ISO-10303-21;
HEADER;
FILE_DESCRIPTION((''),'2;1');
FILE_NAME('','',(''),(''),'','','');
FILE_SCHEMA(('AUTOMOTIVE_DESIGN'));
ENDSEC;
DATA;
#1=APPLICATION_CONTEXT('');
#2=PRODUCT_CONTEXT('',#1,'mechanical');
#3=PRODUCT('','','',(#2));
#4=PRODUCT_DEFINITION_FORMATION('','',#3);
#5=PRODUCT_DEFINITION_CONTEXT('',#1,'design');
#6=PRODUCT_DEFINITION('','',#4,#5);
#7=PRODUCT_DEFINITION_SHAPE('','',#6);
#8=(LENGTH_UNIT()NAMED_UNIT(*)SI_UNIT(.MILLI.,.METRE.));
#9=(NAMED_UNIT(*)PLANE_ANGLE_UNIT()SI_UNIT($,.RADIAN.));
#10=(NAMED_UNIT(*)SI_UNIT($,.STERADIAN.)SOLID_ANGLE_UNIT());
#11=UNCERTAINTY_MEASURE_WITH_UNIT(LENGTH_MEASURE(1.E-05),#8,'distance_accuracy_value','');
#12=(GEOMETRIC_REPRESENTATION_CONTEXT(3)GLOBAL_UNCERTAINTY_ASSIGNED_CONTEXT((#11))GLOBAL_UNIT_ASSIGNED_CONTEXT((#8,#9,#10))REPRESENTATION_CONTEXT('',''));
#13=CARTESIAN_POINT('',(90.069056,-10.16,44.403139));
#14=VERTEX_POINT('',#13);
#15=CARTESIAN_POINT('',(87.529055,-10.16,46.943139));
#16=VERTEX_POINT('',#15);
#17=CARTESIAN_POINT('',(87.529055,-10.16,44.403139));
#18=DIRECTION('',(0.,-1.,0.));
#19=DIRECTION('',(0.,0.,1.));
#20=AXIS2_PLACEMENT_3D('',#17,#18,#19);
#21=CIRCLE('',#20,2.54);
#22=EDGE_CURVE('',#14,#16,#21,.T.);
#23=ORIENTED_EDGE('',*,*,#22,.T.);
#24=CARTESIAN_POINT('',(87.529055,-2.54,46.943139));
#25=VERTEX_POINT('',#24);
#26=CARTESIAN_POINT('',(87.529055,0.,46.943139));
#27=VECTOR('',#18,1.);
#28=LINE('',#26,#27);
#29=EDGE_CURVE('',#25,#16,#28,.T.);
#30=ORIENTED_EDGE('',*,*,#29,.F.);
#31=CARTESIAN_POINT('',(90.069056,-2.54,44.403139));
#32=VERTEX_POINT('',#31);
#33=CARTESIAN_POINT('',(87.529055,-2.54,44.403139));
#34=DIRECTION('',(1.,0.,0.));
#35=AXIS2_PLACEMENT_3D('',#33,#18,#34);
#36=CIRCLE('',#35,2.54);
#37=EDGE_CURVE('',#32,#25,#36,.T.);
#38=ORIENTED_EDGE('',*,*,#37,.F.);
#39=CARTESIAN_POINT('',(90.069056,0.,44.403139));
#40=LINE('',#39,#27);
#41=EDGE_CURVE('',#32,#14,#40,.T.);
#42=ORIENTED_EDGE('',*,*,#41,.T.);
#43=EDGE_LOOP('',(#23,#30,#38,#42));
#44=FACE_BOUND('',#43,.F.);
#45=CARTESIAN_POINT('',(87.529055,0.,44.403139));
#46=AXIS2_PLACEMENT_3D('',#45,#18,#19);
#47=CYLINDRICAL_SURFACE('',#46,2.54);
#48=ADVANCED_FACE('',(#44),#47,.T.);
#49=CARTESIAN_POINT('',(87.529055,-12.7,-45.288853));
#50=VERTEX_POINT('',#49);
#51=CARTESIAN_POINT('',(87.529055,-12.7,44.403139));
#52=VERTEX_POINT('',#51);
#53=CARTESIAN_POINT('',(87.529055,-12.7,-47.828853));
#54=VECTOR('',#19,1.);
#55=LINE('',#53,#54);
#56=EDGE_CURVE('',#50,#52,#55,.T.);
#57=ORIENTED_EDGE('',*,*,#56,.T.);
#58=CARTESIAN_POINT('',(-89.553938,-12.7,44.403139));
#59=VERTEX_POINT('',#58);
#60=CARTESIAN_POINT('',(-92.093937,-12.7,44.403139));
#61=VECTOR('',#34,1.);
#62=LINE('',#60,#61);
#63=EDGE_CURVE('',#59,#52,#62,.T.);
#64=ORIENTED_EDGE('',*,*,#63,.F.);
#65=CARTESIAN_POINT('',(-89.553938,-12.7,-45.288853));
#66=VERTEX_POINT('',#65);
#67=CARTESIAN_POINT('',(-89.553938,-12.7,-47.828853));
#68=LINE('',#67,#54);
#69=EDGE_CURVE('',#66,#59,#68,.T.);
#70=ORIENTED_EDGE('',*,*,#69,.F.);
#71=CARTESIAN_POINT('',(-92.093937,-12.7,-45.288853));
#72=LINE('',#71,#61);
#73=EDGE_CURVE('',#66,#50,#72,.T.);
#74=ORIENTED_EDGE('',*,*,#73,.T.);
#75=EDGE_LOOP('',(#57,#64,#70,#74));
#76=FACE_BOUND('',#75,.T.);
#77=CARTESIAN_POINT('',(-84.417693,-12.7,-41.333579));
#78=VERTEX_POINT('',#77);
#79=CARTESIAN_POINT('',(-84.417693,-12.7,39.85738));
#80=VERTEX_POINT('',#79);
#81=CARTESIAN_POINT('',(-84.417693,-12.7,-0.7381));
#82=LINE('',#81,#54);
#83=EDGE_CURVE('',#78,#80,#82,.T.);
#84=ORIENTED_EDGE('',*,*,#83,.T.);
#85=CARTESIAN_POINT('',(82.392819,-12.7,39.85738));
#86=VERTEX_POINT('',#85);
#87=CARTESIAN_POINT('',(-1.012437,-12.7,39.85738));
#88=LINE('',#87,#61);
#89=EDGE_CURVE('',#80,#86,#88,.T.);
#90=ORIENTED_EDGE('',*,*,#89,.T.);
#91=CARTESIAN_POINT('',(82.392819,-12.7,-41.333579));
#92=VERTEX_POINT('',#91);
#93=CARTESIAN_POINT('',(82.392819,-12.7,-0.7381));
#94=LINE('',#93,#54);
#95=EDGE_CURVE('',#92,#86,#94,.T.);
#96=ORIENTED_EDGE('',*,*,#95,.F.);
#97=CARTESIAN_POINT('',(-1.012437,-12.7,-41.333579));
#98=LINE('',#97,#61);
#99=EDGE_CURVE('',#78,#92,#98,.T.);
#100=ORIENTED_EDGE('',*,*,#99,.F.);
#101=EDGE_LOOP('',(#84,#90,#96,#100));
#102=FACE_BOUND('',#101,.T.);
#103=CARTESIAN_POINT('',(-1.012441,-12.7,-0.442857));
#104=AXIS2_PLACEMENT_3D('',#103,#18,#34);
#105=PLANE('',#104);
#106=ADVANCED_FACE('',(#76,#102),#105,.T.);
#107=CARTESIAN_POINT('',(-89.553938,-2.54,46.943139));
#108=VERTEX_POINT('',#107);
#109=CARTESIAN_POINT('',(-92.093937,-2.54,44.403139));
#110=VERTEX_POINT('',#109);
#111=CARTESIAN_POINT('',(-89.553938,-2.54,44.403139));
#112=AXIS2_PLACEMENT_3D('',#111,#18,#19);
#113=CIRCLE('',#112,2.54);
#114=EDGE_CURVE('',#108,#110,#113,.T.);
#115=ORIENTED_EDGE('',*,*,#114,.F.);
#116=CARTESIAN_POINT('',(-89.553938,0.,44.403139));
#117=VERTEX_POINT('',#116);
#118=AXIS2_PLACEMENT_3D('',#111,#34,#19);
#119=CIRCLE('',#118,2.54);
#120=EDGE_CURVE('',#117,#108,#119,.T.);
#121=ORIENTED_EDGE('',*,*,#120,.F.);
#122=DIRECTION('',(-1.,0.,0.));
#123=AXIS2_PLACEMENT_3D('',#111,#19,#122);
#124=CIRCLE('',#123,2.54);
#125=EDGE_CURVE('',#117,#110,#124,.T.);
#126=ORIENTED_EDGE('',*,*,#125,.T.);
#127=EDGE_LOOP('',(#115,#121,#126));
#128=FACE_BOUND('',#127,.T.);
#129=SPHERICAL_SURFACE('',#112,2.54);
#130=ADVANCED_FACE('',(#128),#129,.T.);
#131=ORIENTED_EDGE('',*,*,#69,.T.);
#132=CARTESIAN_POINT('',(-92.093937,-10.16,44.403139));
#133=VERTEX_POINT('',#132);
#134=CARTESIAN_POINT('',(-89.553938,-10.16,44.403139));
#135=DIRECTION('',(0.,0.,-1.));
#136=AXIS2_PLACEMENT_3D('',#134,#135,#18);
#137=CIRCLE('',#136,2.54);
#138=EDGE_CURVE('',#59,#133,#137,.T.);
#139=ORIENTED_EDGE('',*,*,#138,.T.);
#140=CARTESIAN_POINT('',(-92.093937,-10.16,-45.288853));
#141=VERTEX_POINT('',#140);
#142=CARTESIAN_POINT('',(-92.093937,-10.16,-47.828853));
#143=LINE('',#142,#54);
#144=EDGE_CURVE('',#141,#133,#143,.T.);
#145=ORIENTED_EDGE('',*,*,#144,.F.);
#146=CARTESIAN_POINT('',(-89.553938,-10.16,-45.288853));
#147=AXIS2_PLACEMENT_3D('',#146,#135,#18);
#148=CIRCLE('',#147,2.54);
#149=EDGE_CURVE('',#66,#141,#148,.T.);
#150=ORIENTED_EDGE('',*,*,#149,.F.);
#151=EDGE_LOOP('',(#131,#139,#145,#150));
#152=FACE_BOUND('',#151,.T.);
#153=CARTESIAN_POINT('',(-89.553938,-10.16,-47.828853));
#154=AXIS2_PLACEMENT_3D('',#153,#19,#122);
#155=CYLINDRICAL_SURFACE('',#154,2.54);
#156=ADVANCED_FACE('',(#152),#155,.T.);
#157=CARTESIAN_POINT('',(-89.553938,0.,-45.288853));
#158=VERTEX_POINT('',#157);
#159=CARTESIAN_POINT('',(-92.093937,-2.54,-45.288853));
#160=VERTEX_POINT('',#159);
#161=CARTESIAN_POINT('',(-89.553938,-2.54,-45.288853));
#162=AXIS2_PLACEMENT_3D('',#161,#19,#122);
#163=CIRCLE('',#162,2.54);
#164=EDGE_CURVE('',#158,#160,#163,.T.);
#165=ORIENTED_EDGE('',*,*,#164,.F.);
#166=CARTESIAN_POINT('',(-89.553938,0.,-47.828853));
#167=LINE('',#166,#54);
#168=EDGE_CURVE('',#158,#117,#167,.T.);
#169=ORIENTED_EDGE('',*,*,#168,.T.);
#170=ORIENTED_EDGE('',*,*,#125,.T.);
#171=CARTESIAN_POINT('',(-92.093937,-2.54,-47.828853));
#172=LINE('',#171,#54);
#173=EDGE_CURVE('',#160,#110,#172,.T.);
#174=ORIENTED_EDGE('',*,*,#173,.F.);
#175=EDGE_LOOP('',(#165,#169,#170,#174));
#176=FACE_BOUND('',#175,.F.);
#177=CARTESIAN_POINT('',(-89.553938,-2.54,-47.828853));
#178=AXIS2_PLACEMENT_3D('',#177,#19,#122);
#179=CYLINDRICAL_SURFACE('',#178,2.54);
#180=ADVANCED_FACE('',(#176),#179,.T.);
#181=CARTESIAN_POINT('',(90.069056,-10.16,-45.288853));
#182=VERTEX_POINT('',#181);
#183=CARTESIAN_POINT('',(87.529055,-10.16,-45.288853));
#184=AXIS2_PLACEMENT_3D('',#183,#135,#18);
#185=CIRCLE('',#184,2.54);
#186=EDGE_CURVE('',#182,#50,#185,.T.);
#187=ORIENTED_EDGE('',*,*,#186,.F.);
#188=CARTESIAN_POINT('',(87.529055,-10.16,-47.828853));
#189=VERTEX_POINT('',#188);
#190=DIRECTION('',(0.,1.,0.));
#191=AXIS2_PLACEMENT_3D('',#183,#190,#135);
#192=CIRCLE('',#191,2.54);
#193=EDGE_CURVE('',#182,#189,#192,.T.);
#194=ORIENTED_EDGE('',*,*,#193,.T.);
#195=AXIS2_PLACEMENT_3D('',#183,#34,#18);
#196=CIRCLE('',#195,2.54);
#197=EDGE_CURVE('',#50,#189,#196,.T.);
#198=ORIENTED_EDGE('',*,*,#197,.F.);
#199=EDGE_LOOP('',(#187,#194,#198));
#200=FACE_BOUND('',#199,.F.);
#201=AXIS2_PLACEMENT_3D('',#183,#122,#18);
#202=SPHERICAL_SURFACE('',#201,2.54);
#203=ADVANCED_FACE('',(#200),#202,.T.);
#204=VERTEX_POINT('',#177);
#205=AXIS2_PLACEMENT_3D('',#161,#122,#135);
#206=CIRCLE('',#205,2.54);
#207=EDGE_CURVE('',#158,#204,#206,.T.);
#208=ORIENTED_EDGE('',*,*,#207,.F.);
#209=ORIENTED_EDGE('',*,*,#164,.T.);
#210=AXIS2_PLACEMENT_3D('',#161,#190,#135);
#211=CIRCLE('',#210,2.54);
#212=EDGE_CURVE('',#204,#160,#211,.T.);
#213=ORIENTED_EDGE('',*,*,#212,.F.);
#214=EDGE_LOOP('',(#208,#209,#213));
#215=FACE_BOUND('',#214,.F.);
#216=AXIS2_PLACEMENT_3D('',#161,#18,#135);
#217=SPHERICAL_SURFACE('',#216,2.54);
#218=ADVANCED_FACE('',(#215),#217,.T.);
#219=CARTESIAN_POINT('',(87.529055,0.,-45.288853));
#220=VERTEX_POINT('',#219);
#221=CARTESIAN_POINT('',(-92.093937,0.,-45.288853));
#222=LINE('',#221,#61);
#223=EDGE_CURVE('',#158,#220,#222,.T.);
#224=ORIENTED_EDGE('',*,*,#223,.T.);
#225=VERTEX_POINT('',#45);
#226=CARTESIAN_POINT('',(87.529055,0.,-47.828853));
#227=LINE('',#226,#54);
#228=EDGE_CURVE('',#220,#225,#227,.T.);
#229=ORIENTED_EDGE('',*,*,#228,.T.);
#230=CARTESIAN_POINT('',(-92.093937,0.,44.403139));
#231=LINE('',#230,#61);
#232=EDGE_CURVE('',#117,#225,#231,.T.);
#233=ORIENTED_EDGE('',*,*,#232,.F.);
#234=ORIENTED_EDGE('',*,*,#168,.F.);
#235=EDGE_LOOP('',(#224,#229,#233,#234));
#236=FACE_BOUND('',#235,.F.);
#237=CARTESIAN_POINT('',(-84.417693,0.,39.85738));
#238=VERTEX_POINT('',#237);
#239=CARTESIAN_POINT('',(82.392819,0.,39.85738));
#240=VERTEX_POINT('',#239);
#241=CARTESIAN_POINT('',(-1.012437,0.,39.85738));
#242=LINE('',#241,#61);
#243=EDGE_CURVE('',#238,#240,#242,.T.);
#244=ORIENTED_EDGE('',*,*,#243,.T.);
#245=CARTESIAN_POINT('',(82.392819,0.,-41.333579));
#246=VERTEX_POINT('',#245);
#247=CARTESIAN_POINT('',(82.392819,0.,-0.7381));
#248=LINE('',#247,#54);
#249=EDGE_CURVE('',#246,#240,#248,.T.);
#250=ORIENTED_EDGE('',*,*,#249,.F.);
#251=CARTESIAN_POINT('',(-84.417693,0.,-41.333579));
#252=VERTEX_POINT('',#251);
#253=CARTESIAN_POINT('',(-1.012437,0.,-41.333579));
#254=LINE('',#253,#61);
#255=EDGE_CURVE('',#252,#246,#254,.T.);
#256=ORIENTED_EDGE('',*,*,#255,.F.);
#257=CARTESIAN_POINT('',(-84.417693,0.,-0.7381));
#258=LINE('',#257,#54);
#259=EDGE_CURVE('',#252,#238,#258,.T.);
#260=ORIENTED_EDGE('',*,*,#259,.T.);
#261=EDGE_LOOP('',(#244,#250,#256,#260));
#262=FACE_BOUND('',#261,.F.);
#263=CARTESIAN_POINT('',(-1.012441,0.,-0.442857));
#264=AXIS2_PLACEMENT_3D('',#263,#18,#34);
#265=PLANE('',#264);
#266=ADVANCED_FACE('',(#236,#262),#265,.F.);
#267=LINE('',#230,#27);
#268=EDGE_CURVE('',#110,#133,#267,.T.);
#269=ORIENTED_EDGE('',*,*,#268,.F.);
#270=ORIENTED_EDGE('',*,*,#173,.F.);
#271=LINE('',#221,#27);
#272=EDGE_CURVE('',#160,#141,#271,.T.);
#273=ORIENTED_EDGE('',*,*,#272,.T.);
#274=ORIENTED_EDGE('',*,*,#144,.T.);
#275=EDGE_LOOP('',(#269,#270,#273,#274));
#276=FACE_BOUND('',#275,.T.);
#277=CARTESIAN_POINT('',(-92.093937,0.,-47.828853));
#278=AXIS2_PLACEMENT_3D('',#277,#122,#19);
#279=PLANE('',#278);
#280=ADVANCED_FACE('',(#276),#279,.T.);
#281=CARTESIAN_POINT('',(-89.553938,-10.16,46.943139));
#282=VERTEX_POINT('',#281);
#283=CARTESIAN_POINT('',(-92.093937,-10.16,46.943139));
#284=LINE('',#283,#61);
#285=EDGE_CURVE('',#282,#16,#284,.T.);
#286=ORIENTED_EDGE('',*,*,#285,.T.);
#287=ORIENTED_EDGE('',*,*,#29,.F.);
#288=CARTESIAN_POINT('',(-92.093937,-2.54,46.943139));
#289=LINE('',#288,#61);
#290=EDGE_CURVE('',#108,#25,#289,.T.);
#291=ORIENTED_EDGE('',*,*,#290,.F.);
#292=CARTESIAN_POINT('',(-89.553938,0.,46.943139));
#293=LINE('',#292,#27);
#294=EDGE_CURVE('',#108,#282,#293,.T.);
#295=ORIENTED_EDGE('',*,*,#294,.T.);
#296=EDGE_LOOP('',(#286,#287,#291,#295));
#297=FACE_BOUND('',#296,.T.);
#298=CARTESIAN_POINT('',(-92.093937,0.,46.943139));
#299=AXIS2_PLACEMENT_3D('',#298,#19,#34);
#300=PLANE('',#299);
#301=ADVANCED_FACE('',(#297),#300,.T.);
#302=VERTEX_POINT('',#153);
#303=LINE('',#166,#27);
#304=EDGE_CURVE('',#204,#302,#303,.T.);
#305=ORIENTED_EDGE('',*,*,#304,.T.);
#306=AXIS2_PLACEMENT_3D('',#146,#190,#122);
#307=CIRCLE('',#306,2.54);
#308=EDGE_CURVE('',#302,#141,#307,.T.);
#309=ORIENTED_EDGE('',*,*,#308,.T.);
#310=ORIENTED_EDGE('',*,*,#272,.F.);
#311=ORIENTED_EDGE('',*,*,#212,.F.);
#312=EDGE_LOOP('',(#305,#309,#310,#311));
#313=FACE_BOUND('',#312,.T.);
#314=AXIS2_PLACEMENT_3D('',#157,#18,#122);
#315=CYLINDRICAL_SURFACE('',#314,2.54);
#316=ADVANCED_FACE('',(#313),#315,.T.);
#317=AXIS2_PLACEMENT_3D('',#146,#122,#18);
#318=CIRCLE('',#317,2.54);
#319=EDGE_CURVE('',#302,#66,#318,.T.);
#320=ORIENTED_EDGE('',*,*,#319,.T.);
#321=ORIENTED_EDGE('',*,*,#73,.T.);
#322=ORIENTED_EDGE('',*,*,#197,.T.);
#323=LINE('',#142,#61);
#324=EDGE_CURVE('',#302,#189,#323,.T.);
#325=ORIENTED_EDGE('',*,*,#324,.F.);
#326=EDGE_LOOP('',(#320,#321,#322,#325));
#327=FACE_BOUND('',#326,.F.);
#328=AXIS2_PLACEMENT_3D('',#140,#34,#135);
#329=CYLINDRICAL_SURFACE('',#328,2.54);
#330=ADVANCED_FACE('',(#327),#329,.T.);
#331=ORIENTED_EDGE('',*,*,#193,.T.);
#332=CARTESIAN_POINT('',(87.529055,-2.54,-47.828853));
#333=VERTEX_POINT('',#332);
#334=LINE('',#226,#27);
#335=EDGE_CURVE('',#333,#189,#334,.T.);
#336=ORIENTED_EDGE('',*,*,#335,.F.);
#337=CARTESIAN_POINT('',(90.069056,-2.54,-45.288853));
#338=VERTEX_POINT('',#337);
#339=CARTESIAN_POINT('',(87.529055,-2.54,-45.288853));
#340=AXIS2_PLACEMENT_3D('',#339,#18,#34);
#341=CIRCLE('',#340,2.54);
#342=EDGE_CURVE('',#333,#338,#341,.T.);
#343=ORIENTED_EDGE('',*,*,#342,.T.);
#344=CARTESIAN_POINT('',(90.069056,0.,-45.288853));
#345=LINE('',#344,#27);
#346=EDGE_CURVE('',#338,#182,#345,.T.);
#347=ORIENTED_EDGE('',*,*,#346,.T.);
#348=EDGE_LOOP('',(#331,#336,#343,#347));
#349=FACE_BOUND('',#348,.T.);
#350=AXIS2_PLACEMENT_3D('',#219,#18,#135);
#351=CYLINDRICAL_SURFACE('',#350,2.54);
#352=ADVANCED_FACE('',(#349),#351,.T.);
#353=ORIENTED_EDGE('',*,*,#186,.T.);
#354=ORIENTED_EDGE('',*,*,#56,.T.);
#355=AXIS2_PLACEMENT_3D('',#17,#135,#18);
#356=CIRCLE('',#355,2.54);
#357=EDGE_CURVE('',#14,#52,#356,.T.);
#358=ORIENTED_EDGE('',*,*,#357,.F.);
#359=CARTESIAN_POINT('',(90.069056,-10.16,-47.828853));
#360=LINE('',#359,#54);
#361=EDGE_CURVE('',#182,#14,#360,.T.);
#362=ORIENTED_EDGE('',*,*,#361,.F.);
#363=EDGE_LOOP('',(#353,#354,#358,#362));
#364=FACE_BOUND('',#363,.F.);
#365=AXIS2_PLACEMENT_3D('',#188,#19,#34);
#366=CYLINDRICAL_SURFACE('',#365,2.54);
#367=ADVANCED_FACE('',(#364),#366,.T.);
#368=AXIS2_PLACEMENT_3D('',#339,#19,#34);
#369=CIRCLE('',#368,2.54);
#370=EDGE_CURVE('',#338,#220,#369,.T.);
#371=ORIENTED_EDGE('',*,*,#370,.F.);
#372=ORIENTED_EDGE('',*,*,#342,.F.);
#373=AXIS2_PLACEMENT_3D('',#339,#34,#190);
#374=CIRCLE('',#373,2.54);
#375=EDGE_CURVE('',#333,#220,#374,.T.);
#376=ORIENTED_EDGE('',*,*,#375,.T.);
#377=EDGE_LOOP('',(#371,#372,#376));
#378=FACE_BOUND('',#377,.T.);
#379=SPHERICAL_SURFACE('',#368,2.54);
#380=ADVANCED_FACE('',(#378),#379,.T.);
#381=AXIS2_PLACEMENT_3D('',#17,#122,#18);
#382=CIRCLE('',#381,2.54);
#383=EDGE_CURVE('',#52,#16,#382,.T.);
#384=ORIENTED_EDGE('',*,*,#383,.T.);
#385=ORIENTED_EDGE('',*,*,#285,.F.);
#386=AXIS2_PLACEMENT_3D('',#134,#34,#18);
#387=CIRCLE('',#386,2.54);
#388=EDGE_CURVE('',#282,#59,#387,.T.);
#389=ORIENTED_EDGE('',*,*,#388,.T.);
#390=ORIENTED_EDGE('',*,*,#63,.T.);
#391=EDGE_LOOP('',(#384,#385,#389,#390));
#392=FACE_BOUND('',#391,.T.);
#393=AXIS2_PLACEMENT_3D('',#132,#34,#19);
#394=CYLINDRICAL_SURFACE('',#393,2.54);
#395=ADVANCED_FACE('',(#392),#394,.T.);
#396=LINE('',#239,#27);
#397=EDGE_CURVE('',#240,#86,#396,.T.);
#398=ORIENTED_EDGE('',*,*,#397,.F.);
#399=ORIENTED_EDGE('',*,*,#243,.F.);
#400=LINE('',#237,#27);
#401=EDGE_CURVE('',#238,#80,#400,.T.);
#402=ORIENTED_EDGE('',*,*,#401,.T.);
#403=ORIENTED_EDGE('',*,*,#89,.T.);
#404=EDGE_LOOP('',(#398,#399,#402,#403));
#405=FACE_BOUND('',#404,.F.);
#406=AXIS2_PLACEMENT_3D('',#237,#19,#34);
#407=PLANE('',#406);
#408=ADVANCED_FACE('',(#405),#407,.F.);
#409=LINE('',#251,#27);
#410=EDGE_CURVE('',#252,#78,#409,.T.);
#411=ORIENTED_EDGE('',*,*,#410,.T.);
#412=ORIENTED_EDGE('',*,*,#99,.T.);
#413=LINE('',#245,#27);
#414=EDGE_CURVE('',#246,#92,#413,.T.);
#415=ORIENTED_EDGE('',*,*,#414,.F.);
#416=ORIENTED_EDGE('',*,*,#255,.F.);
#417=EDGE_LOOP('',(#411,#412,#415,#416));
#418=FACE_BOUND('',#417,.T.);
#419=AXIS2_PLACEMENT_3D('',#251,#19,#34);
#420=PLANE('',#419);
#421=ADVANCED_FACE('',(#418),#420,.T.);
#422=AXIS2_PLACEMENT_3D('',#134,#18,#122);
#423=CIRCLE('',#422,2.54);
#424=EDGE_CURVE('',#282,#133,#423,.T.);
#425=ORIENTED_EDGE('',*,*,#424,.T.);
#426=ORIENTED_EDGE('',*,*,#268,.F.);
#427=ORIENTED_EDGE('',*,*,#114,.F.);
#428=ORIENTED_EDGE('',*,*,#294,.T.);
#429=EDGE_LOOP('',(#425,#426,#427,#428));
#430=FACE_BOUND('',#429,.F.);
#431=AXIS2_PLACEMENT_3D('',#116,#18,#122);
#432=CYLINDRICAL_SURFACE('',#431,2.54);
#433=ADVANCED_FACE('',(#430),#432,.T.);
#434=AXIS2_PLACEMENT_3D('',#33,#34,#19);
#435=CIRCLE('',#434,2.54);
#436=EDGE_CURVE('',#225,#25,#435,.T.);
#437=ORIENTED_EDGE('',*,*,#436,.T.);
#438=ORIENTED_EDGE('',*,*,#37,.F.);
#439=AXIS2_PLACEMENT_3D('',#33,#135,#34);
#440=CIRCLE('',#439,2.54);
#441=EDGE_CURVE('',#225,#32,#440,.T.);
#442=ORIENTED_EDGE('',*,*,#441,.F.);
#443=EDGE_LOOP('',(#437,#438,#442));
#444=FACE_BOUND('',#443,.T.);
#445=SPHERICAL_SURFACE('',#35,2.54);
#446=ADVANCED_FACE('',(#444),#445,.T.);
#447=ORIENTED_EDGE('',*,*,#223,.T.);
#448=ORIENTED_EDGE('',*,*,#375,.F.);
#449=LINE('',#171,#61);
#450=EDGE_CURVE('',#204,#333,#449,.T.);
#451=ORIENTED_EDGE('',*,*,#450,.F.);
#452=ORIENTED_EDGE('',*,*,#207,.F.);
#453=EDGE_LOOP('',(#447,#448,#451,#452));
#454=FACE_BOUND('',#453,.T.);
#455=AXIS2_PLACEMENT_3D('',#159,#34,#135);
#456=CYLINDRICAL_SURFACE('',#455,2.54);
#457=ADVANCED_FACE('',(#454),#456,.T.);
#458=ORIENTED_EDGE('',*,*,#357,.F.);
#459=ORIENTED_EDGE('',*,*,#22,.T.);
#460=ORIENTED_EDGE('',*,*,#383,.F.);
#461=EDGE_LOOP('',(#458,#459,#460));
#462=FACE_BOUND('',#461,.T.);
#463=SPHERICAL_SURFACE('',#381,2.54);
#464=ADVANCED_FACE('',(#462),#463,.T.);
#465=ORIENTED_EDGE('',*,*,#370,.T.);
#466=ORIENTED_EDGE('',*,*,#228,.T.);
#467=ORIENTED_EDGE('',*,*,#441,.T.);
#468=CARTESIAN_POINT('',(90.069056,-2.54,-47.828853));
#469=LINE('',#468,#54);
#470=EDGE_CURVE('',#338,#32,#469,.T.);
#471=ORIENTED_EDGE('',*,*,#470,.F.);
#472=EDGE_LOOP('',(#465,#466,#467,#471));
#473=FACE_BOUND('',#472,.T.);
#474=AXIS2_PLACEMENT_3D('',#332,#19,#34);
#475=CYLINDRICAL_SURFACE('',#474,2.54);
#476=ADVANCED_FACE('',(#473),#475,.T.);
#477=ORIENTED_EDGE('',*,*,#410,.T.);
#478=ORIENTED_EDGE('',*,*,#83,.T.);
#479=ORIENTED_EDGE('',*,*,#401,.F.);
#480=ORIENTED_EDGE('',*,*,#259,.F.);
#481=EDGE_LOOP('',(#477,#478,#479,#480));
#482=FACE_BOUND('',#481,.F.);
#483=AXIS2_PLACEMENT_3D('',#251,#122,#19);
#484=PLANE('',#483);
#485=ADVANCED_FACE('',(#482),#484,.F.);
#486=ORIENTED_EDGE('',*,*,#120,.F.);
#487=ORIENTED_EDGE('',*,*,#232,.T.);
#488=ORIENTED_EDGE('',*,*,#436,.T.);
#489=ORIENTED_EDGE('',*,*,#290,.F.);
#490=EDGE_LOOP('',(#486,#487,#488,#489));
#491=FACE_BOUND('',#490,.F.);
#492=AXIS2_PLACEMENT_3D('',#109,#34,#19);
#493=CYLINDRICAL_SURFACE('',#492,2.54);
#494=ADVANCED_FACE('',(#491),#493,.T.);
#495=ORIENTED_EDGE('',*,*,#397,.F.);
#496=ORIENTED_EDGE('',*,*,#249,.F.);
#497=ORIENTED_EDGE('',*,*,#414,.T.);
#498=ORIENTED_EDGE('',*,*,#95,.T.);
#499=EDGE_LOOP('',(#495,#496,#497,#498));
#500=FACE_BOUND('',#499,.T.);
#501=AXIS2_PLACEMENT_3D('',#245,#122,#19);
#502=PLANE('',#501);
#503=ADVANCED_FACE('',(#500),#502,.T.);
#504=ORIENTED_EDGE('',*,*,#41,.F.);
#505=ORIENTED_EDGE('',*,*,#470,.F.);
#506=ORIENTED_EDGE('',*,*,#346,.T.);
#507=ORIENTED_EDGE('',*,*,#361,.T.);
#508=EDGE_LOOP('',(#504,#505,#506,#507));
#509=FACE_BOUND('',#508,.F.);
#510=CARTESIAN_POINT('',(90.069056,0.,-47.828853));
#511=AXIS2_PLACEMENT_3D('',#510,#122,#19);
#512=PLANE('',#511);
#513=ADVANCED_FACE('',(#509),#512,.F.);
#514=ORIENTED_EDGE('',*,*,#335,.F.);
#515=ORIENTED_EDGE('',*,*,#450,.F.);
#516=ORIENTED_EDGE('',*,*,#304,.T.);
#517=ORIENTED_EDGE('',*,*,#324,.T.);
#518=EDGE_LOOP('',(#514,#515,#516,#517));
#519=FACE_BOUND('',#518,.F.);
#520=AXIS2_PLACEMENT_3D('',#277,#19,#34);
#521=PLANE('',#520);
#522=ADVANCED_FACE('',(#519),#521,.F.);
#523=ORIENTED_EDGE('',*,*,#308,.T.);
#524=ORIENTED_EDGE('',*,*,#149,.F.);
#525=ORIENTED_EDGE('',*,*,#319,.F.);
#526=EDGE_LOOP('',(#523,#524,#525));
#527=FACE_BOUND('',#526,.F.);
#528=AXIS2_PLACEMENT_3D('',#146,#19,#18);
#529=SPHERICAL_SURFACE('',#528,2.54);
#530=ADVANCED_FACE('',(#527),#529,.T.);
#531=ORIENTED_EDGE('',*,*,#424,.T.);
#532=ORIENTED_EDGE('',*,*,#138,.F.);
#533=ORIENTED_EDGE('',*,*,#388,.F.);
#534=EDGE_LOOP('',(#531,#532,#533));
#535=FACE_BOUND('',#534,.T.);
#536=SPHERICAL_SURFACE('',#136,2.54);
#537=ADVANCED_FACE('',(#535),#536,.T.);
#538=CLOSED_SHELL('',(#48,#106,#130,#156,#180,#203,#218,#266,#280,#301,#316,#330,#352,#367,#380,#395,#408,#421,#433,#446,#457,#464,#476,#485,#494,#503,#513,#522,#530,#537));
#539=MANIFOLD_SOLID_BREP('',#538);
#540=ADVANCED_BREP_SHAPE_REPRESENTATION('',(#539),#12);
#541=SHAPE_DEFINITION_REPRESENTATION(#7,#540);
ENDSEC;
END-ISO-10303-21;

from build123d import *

# Parameters (mm, degrees)
F0_W     = 182.162993
F0_H     = 94.771992
F0_W_2   = 166.810512
F0_H_2   = 81.190959
F1_DEPTH = 12.7
F2_R     = 2.54


with BuildPart() as f1:
    # F0 (on Front) → F1 (new body)
    with BuildSketch(Plane.XZ):
        with Locations((-1.012441, -0.442857)):
            Rectangle(F0_W, F0_H)
        with Locations((-1.012437, -0.7381)):
            Rectangle(F0_W_2, F0_H_2, mode=Mode.SUBTRACT)
    extrude(amount=F1_DEPTH)

    # F2
    f2_edges = [f1.edges().sort_by_distance(p)[0] for p in [
        (-92.093937, -12.7, -0.442857),
        (-1.012441, -12.7, 46.943139),
        (-1.012441, -12.7, -47.828853),
        (90.069056, -12.7, -0.442857),
        (-92.093937, -6.35, 46.943139),
        (-92.093937, -6.35, -47.828853),
        (90.069056, -6.35, 46.943139),
        (90.069056, 0, -0.442857),
        (90.069056, -6.35, -47.828853),
        (-1.012441, 0, -47.828853),
        (-1.012441, 0, 46.943139),
        (-92.093937, 0, -0.442857),
    ]]
    fillet(f2_edges, radius=F2_R)


solid = f1.part
